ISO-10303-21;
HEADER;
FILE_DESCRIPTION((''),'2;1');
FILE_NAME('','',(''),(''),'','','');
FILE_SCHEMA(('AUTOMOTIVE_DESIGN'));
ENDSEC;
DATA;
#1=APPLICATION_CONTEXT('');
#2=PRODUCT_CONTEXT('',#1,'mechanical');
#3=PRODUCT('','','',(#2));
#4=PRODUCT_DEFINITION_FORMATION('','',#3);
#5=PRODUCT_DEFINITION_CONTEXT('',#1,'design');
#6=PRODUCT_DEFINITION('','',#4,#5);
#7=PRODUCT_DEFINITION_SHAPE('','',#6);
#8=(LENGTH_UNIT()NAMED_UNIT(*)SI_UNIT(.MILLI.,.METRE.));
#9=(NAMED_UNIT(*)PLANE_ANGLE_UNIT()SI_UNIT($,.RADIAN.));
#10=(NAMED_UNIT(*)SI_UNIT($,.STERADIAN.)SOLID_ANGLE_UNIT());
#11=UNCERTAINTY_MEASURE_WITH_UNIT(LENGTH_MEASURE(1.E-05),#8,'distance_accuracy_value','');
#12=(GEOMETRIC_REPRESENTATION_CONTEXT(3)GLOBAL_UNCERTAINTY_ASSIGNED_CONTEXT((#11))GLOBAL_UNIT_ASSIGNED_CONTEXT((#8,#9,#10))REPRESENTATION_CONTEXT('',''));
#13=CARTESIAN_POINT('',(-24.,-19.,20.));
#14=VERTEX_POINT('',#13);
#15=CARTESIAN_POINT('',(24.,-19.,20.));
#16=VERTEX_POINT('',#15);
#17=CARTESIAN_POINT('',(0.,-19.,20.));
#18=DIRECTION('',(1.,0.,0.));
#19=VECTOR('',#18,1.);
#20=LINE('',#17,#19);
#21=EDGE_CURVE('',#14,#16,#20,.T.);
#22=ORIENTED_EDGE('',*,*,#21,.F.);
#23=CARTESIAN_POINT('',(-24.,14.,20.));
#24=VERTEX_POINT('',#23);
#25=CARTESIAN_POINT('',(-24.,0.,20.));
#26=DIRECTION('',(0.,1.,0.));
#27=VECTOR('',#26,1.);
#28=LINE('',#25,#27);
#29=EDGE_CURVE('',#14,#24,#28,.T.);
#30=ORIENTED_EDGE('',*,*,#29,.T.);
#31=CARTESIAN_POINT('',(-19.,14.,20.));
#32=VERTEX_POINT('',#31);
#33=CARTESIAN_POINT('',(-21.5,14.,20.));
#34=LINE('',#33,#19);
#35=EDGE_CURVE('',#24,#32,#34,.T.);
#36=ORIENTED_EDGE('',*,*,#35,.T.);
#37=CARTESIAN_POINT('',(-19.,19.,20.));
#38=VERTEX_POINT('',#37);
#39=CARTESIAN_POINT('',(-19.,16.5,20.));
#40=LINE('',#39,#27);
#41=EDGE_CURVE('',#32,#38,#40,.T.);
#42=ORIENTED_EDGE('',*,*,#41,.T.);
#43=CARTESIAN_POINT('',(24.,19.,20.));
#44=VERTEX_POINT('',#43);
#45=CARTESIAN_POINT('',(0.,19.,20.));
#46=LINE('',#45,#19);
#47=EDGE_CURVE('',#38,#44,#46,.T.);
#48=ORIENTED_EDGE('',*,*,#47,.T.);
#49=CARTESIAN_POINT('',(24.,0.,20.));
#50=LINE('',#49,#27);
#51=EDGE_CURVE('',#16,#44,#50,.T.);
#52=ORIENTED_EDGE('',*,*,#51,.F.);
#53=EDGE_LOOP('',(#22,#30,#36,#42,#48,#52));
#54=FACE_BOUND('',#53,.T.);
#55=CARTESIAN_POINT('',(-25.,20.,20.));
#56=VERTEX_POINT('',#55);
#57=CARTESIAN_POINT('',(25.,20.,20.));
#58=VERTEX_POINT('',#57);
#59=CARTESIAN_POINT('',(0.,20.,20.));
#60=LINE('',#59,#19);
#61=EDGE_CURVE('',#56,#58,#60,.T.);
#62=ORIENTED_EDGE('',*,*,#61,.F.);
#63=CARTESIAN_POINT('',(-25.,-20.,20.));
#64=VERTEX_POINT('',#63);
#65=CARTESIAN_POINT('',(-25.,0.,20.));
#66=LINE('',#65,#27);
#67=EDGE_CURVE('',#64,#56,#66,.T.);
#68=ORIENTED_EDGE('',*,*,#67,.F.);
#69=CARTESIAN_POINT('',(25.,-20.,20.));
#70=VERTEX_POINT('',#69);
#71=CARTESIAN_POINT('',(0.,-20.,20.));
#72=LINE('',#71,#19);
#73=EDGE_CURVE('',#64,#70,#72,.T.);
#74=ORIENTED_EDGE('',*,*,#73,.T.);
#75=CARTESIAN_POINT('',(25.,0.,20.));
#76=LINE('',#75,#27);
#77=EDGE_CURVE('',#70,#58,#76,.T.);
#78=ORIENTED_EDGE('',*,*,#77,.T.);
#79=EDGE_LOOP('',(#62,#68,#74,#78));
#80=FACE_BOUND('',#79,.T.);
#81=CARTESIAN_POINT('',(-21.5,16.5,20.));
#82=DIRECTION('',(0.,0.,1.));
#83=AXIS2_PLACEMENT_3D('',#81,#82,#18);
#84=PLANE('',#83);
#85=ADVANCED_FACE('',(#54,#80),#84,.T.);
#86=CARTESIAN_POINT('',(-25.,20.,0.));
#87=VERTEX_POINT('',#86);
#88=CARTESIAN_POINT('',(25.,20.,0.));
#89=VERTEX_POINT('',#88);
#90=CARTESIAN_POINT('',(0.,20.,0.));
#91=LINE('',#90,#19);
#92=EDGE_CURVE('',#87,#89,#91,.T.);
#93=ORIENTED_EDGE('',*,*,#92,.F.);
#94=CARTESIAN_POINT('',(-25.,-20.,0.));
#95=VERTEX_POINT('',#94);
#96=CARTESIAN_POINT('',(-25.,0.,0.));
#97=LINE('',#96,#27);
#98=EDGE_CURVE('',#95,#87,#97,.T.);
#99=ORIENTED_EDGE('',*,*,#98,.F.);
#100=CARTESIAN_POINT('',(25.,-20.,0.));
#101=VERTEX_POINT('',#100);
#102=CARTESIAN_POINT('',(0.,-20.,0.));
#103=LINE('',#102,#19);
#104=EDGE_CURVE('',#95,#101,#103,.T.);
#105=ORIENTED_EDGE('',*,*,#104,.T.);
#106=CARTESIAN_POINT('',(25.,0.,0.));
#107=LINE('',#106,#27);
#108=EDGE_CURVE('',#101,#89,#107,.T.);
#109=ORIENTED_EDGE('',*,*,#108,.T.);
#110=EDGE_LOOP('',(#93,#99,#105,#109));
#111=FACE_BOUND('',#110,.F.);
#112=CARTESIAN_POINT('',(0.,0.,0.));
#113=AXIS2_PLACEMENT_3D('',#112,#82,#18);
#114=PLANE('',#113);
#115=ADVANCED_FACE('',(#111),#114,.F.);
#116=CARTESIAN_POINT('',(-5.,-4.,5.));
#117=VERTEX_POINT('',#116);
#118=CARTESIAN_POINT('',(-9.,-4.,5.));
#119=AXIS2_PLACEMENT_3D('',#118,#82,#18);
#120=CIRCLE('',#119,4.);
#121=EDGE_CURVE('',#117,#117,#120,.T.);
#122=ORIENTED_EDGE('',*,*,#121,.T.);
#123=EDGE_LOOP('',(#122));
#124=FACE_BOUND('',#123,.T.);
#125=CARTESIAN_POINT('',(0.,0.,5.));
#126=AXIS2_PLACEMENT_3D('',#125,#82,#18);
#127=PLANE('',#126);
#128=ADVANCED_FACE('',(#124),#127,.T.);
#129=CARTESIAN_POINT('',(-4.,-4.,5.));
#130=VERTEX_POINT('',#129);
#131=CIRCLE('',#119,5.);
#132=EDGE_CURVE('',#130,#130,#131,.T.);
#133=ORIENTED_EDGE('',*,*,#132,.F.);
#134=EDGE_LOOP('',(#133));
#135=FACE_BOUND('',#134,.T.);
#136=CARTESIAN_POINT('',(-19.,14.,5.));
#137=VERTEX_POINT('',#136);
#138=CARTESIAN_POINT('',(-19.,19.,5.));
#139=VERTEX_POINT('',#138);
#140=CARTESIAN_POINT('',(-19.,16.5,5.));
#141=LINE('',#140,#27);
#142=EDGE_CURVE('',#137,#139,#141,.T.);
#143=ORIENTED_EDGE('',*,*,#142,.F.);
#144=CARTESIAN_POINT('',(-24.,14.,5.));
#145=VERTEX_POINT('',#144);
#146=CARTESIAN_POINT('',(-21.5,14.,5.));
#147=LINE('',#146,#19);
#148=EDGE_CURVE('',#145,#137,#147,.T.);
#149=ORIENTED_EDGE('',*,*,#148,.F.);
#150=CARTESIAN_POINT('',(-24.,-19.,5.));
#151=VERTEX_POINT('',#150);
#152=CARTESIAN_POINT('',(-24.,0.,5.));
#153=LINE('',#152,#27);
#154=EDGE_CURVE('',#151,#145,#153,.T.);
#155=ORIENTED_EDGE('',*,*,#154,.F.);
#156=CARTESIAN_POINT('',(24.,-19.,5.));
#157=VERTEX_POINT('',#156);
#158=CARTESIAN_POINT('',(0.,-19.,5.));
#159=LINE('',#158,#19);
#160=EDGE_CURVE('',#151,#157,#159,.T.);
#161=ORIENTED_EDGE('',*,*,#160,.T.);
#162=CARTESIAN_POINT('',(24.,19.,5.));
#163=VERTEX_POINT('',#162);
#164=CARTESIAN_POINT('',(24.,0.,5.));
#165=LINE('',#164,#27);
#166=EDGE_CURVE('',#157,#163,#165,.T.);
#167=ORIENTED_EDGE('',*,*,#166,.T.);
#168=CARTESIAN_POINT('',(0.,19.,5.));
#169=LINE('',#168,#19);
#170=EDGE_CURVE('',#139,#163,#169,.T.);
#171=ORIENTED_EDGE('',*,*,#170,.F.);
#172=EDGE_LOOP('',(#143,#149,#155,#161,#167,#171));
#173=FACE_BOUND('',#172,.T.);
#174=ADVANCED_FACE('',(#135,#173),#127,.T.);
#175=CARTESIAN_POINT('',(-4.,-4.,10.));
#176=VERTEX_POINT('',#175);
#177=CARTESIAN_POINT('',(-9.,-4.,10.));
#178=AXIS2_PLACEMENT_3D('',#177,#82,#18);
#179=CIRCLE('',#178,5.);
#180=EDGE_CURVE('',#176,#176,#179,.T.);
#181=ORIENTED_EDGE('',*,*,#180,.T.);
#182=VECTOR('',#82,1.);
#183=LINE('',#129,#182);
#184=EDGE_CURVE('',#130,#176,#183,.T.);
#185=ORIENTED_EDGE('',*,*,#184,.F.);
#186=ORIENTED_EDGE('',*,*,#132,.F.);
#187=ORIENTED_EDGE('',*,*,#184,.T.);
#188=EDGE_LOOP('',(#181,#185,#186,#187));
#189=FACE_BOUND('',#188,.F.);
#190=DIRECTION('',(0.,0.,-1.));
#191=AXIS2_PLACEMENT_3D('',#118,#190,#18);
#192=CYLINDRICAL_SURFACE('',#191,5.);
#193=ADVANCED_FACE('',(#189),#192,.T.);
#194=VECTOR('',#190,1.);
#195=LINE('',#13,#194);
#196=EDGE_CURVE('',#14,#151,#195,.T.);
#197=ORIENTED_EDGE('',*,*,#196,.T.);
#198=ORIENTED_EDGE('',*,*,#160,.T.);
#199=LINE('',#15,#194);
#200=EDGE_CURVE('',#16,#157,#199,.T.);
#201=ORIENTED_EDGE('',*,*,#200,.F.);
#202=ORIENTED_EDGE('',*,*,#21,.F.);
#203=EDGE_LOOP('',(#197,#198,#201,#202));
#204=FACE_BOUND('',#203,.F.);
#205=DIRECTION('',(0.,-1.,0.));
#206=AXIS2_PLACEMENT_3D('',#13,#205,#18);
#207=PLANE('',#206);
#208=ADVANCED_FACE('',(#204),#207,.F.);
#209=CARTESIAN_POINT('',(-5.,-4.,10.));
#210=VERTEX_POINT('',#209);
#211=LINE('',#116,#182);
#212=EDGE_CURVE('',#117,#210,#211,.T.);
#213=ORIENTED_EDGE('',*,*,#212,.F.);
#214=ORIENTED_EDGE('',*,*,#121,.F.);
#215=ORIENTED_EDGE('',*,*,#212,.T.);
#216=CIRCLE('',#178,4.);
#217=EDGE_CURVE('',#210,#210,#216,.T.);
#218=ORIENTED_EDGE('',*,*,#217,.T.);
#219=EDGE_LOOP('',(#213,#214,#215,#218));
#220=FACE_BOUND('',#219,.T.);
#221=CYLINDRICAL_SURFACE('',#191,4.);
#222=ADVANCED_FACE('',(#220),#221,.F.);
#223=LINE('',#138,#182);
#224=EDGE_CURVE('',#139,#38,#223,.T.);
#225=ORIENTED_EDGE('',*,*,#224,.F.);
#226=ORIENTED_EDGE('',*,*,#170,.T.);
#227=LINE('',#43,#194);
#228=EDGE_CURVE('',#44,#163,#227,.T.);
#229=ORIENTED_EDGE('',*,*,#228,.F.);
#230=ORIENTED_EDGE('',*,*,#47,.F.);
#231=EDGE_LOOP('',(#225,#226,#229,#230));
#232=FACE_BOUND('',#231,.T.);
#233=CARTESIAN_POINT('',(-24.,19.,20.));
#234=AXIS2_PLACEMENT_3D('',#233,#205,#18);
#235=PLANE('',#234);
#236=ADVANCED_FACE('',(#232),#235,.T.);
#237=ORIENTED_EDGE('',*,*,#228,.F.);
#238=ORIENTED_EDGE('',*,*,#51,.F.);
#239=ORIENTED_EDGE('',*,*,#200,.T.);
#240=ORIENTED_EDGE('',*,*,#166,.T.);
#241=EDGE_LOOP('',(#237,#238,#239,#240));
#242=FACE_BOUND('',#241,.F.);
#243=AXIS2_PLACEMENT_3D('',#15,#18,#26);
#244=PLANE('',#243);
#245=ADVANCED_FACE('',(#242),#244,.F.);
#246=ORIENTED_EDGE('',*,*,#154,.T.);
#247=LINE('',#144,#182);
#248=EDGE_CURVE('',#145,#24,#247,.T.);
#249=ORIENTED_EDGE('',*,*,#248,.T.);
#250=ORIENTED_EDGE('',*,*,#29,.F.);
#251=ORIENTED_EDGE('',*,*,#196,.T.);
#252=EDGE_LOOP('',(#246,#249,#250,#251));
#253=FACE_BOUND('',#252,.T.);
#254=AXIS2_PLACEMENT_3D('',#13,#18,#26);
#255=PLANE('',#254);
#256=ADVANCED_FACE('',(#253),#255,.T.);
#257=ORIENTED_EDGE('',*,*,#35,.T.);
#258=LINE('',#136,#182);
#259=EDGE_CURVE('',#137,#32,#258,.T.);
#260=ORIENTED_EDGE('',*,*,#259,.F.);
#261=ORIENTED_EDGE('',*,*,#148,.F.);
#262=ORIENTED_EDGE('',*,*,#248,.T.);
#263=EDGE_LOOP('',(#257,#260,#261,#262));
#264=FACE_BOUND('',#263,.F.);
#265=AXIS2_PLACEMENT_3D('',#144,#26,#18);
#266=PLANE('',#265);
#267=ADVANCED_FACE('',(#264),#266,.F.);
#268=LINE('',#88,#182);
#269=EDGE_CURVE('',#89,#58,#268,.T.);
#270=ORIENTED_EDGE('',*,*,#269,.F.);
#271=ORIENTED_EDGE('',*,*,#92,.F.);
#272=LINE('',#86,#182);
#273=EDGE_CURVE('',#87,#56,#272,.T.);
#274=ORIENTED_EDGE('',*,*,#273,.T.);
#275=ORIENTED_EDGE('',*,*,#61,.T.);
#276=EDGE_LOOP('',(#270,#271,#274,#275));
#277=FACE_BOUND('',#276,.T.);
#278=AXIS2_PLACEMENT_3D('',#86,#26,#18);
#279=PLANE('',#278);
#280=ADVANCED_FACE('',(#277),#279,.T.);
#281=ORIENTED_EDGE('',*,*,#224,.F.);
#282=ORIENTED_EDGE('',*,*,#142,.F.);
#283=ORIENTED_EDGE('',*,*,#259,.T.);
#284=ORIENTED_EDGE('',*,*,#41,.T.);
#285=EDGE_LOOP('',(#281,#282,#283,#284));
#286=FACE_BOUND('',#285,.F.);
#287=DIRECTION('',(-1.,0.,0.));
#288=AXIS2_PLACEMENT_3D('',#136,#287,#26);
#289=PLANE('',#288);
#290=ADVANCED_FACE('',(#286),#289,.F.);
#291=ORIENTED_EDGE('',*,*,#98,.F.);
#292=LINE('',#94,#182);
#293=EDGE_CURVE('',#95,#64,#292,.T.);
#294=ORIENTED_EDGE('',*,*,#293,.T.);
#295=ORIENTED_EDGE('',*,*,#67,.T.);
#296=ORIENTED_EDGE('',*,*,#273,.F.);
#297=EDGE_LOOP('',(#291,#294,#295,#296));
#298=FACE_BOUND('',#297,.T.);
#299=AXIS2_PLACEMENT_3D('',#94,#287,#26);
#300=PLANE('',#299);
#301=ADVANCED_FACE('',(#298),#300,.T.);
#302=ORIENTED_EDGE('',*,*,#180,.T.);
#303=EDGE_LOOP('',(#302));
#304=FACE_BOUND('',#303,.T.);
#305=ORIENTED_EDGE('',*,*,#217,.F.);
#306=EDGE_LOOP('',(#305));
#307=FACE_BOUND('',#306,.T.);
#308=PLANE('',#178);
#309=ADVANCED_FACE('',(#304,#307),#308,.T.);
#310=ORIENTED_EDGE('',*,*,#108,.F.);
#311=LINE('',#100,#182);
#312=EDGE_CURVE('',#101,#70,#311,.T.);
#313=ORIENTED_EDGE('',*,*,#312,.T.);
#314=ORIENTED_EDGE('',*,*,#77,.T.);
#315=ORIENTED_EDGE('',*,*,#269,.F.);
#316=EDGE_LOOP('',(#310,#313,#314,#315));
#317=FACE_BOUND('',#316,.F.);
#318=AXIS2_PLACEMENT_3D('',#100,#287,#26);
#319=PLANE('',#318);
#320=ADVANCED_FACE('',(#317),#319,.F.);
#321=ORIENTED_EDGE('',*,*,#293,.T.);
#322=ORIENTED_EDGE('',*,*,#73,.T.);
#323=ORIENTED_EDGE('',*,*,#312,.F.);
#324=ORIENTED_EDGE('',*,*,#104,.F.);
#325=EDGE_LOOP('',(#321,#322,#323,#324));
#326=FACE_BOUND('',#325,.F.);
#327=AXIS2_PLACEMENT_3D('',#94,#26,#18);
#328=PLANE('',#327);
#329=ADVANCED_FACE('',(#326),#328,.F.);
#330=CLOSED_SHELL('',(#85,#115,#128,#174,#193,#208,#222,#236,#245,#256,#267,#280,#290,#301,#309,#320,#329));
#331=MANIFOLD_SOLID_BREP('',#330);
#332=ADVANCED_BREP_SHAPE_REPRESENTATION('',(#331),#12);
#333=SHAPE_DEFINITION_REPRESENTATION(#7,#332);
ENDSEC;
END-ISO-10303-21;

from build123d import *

# Parameters (mm, degrees)
F0_W     = 50
F0_H     = 40
F1_DEPTH = 20
F2_W     = 48
F2_H     = 38
F3_DEPTH = 15
F4_W     = 5
F4_H     = 5
F5_DEPTH = 15
F6_R     = 5
F6_R_2   = 4
F7_DEPTH = 5


with BuildPart() as f1:
    # F0 (on Top) → F1 (new body)
    with BuildSketch(Plane.XY):
        Rectangle(F0_W, F0_H)
    extrude(amount=F1_DEPTH)

    # F2 (on face) → F3 (cut)
    with BuildSketch(Plane.XY.offset(20)):
        Rectangle(F2_W, F2_H)
    extrude(amount=-F3_DEPTH, mode=Mode.SUBTRACT)

    # F4 (on face) → F5 (join)
    with BuildSketch(Plane.XY.offset(5)):
        with Locations((-21.5, 16.5)):
            Rectangle(F4_W, F4_H)
    extrude(amount=F5_DEPTH)

    # F6 (on face) → F7 (join)
    with BuildSketch(Plane.XY.offset(5)):
        with Locations((-9, -4)):
            Circle(F6_R)
        with Locations((-9, -4)):
            Circle(F6_R_2, mode=Mode.SUBTRACT)
    extrude(amount=F7_DEPTH)


solid = f1.part
